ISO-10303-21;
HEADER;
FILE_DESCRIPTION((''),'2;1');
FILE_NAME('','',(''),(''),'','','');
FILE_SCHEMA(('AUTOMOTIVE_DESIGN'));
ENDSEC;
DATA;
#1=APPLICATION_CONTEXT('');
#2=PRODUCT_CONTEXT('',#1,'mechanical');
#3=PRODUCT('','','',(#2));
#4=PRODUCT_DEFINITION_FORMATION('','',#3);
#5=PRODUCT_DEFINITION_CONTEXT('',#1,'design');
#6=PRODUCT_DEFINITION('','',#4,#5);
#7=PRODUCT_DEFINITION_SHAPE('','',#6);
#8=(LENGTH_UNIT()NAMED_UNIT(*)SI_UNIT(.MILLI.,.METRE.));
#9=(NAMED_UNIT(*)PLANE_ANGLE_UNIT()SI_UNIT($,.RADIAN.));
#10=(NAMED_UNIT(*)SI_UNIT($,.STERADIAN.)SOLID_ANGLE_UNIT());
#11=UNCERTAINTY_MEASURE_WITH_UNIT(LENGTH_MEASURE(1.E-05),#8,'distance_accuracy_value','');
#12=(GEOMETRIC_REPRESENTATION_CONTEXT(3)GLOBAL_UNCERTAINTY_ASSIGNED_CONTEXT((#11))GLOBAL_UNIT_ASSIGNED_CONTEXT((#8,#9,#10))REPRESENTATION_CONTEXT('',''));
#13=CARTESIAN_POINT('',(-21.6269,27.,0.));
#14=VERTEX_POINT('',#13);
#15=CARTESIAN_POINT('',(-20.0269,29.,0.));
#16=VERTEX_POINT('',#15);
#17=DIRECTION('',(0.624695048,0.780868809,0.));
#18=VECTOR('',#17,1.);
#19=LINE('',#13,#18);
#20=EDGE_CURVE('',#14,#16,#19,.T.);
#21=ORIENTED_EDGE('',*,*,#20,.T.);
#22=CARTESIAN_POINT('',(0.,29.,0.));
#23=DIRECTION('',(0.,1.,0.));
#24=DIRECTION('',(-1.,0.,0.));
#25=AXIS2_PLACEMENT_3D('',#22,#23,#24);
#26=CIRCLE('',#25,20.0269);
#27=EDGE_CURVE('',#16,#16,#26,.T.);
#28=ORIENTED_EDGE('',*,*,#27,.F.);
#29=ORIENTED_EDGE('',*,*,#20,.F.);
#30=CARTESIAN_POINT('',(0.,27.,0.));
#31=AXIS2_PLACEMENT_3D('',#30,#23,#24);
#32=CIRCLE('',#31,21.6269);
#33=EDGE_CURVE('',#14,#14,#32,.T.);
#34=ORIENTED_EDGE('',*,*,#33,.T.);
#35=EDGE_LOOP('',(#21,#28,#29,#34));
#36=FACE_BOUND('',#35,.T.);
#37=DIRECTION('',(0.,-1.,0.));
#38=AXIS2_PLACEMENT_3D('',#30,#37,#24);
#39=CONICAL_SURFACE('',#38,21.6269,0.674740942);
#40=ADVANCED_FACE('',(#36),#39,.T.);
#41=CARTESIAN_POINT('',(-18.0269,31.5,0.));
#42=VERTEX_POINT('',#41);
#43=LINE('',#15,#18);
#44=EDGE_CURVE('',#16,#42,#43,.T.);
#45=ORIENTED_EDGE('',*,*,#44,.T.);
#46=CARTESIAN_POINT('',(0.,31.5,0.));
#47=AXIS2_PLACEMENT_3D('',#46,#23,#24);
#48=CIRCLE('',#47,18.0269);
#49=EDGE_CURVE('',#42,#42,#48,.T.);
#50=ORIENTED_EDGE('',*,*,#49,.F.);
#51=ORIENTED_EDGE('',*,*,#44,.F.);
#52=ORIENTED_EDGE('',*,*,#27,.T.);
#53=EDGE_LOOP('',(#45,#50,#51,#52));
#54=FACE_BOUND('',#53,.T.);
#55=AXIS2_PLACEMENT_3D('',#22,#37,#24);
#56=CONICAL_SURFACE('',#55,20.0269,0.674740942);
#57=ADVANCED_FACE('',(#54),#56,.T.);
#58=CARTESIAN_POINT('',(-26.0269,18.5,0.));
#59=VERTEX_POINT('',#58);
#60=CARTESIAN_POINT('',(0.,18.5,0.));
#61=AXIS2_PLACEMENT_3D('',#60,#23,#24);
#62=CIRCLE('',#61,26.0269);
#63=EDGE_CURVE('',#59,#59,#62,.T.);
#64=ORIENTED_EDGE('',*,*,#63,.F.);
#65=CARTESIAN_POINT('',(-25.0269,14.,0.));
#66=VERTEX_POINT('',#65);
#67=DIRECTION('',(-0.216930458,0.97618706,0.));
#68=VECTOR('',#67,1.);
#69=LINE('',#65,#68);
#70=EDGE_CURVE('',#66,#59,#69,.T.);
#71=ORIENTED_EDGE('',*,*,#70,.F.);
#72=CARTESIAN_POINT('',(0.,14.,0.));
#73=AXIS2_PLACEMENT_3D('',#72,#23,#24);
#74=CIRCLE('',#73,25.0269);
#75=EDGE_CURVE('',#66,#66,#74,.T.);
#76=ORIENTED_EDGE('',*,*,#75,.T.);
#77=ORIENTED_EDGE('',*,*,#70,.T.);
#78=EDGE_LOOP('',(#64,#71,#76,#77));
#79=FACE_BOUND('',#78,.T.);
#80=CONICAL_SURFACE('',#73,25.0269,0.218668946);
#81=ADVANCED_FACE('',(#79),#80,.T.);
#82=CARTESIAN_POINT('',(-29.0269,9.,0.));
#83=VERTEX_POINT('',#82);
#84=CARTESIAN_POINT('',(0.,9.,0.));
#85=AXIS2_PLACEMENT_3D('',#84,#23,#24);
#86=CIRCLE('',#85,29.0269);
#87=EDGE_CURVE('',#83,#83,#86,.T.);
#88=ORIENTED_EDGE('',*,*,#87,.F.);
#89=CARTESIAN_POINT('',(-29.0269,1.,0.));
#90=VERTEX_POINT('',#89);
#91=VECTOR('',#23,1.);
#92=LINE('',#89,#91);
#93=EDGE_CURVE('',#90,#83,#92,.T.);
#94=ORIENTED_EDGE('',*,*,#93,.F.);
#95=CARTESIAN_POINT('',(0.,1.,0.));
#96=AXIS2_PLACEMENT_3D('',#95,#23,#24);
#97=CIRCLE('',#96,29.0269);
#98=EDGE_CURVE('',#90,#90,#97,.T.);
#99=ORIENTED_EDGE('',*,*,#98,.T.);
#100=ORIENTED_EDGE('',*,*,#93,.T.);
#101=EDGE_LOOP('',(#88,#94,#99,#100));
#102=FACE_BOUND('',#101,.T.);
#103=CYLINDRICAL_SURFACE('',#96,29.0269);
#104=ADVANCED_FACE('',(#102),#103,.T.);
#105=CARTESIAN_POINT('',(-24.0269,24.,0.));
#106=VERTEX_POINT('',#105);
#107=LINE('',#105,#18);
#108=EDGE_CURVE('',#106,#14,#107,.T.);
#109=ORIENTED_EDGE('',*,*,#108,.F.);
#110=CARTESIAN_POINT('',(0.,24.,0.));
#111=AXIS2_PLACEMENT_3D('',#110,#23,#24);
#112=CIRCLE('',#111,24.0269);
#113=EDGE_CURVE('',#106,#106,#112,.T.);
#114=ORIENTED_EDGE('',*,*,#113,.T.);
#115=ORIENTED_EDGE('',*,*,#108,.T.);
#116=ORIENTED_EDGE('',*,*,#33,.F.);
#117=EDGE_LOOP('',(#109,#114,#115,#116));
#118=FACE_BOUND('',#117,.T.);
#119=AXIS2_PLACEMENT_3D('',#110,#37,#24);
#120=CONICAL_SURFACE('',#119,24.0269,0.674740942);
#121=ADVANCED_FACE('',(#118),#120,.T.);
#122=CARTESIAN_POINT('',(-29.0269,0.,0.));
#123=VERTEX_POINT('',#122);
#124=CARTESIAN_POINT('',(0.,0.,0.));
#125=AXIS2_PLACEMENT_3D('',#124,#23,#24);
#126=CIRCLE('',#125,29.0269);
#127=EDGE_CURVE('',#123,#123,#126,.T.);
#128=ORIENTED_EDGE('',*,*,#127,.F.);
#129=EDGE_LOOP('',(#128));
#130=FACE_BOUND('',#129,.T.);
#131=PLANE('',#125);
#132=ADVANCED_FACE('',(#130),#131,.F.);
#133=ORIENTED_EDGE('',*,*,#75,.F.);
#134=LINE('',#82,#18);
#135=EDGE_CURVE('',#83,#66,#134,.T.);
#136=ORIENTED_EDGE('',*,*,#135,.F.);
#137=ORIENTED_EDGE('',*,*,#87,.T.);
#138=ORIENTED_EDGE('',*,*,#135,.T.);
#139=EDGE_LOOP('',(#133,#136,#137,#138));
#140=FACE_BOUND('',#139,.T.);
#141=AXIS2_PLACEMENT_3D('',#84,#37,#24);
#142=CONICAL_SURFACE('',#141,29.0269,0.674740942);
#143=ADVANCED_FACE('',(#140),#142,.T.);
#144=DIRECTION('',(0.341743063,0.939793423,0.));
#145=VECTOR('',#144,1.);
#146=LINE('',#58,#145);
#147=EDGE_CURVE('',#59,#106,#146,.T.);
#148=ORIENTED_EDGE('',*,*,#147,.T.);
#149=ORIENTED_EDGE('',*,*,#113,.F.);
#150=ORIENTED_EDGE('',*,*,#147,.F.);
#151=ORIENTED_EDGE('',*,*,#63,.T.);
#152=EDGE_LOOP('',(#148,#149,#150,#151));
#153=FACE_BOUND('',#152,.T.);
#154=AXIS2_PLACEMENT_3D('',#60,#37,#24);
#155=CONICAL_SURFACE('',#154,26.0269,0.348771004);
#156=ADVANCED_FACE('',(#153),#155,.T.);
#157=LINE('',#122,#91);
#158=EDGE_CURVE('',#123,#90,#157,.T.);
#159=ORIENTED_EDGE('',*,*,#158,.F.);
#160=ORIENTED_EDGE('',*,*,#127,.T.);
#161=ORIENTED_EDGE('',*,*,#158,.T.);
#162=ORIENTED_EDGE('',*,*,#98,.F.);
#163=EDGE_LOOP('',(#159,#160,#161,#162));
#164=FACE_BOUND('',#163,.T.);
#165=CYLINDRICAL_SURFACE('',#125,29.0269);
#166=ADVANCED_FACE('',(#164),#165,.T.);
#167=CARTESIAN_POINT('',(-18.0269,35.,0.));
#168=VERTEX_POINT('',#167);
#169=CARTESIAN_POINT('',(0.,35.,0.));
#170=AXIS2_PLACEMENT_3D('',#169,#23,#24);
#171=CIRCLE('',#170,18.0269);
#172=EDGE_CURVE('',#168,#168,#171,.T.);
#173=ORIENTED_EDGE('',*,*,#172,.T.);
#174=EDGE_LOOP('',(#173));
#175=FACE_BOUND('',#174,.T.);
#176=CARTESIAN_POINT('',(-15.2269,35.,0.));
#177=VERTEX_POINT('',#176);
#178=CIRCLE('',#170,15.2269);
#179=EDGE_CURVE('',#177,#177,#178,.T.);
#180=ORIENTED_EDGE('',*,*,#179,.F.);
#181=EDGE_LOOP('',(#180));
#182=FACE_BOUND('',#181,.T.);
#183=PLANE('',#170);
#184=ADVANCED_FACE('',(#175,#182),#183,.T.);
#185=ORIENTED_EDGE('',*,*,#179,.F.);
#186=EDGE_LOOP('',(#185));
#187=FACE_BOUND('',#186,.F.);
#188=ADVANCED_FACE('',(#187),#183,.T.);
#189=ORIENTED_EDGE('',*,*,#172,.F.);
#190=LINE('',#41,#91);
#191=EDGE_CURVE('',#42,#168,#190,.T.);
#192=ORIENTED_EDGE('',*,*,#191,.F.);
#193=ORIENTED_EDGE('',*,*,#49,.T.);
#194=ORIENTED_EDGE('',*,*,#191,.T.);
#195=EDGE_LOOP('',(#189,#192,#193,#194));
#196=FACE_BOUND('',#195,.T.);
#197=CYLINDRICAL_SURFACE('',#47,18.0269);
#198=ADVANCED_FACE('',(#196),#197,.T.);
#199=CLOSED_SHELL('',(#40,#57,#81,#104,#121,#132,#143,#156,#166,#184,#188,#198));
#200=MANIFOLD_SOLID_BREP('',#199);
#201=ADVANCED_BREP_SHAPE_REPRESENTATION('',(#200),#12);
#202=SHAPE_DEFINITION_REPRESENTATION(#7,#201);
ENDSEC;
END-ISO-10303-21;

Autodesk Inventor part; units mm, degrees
ref_plane "YZ Plane" through (0, 0, 0) normal (1, 0, 0) x (0, 1, 0)
ref_plane "XZ Plane" through (0, 0, 0) normal (0, 1, 0) x (-1, 0, 0)
ref_plane "XY Plane" through (0, 0, 0) normal (0, 0, 1) x (1, 0, 0)
sketch "Boceto2" plane through (0, 0, 0) normal (0, 0, 1) x (1, 0, 0)
  line L0 (-69.9574, 123.8748) -> (72.8997, 123.8748) construction
  line L1 (72.8997, 123.8748) -> (72.8997, -16.6014) construction
  line L2 (72.8997, -16.6014) -> (-69.9574, -16.6014) construction
  line L3 (-69.9574, -16.6014) -> (-69.9574, 123.8748) construction
  line L4 (0, 0) -> (0, 35)
  line L5 (0, 35) -> (0, 0)
  line L6 (-29.0269, 1) -> (-29.0269, 9)
  line L7 (-29.0269, 9) -> (-25.0269, 14)
  line L8 (-25.0269, 14) -> (-26.0269, 18.5)
  line L9 (-26.0269, 18.5) -> (-24.0269, 24)
  line L10 (-24.0269, 24) -> (-21.6269, 27)
  line L11 (-21.6269, 27) -> (-20.0269, 29)
  line L12 (-20.0269, 29) -> (-18.0269, 31.5)
  line L13 (-18.0269, 31.5) -> (-18.0269, 35)
  line L14 (-18.0269, 35) -> (-15.2269, 35)
  line L15 (0, 35) -> (-15.2269, 35)
  line L16 (-18.0269, 35) -> (-15.2269, 35)
  line L17 (0, 0) -> (-29.0269, 0)
  line L18 (-29.0269, 0) -> (-29.0269, 1)
revolve "Revolución1" add sketch "Boceto2" angle 360 about axis through (0, 0, 0) along (0, 1, 0)
properties part number "KINGHT BASE 1.0"
